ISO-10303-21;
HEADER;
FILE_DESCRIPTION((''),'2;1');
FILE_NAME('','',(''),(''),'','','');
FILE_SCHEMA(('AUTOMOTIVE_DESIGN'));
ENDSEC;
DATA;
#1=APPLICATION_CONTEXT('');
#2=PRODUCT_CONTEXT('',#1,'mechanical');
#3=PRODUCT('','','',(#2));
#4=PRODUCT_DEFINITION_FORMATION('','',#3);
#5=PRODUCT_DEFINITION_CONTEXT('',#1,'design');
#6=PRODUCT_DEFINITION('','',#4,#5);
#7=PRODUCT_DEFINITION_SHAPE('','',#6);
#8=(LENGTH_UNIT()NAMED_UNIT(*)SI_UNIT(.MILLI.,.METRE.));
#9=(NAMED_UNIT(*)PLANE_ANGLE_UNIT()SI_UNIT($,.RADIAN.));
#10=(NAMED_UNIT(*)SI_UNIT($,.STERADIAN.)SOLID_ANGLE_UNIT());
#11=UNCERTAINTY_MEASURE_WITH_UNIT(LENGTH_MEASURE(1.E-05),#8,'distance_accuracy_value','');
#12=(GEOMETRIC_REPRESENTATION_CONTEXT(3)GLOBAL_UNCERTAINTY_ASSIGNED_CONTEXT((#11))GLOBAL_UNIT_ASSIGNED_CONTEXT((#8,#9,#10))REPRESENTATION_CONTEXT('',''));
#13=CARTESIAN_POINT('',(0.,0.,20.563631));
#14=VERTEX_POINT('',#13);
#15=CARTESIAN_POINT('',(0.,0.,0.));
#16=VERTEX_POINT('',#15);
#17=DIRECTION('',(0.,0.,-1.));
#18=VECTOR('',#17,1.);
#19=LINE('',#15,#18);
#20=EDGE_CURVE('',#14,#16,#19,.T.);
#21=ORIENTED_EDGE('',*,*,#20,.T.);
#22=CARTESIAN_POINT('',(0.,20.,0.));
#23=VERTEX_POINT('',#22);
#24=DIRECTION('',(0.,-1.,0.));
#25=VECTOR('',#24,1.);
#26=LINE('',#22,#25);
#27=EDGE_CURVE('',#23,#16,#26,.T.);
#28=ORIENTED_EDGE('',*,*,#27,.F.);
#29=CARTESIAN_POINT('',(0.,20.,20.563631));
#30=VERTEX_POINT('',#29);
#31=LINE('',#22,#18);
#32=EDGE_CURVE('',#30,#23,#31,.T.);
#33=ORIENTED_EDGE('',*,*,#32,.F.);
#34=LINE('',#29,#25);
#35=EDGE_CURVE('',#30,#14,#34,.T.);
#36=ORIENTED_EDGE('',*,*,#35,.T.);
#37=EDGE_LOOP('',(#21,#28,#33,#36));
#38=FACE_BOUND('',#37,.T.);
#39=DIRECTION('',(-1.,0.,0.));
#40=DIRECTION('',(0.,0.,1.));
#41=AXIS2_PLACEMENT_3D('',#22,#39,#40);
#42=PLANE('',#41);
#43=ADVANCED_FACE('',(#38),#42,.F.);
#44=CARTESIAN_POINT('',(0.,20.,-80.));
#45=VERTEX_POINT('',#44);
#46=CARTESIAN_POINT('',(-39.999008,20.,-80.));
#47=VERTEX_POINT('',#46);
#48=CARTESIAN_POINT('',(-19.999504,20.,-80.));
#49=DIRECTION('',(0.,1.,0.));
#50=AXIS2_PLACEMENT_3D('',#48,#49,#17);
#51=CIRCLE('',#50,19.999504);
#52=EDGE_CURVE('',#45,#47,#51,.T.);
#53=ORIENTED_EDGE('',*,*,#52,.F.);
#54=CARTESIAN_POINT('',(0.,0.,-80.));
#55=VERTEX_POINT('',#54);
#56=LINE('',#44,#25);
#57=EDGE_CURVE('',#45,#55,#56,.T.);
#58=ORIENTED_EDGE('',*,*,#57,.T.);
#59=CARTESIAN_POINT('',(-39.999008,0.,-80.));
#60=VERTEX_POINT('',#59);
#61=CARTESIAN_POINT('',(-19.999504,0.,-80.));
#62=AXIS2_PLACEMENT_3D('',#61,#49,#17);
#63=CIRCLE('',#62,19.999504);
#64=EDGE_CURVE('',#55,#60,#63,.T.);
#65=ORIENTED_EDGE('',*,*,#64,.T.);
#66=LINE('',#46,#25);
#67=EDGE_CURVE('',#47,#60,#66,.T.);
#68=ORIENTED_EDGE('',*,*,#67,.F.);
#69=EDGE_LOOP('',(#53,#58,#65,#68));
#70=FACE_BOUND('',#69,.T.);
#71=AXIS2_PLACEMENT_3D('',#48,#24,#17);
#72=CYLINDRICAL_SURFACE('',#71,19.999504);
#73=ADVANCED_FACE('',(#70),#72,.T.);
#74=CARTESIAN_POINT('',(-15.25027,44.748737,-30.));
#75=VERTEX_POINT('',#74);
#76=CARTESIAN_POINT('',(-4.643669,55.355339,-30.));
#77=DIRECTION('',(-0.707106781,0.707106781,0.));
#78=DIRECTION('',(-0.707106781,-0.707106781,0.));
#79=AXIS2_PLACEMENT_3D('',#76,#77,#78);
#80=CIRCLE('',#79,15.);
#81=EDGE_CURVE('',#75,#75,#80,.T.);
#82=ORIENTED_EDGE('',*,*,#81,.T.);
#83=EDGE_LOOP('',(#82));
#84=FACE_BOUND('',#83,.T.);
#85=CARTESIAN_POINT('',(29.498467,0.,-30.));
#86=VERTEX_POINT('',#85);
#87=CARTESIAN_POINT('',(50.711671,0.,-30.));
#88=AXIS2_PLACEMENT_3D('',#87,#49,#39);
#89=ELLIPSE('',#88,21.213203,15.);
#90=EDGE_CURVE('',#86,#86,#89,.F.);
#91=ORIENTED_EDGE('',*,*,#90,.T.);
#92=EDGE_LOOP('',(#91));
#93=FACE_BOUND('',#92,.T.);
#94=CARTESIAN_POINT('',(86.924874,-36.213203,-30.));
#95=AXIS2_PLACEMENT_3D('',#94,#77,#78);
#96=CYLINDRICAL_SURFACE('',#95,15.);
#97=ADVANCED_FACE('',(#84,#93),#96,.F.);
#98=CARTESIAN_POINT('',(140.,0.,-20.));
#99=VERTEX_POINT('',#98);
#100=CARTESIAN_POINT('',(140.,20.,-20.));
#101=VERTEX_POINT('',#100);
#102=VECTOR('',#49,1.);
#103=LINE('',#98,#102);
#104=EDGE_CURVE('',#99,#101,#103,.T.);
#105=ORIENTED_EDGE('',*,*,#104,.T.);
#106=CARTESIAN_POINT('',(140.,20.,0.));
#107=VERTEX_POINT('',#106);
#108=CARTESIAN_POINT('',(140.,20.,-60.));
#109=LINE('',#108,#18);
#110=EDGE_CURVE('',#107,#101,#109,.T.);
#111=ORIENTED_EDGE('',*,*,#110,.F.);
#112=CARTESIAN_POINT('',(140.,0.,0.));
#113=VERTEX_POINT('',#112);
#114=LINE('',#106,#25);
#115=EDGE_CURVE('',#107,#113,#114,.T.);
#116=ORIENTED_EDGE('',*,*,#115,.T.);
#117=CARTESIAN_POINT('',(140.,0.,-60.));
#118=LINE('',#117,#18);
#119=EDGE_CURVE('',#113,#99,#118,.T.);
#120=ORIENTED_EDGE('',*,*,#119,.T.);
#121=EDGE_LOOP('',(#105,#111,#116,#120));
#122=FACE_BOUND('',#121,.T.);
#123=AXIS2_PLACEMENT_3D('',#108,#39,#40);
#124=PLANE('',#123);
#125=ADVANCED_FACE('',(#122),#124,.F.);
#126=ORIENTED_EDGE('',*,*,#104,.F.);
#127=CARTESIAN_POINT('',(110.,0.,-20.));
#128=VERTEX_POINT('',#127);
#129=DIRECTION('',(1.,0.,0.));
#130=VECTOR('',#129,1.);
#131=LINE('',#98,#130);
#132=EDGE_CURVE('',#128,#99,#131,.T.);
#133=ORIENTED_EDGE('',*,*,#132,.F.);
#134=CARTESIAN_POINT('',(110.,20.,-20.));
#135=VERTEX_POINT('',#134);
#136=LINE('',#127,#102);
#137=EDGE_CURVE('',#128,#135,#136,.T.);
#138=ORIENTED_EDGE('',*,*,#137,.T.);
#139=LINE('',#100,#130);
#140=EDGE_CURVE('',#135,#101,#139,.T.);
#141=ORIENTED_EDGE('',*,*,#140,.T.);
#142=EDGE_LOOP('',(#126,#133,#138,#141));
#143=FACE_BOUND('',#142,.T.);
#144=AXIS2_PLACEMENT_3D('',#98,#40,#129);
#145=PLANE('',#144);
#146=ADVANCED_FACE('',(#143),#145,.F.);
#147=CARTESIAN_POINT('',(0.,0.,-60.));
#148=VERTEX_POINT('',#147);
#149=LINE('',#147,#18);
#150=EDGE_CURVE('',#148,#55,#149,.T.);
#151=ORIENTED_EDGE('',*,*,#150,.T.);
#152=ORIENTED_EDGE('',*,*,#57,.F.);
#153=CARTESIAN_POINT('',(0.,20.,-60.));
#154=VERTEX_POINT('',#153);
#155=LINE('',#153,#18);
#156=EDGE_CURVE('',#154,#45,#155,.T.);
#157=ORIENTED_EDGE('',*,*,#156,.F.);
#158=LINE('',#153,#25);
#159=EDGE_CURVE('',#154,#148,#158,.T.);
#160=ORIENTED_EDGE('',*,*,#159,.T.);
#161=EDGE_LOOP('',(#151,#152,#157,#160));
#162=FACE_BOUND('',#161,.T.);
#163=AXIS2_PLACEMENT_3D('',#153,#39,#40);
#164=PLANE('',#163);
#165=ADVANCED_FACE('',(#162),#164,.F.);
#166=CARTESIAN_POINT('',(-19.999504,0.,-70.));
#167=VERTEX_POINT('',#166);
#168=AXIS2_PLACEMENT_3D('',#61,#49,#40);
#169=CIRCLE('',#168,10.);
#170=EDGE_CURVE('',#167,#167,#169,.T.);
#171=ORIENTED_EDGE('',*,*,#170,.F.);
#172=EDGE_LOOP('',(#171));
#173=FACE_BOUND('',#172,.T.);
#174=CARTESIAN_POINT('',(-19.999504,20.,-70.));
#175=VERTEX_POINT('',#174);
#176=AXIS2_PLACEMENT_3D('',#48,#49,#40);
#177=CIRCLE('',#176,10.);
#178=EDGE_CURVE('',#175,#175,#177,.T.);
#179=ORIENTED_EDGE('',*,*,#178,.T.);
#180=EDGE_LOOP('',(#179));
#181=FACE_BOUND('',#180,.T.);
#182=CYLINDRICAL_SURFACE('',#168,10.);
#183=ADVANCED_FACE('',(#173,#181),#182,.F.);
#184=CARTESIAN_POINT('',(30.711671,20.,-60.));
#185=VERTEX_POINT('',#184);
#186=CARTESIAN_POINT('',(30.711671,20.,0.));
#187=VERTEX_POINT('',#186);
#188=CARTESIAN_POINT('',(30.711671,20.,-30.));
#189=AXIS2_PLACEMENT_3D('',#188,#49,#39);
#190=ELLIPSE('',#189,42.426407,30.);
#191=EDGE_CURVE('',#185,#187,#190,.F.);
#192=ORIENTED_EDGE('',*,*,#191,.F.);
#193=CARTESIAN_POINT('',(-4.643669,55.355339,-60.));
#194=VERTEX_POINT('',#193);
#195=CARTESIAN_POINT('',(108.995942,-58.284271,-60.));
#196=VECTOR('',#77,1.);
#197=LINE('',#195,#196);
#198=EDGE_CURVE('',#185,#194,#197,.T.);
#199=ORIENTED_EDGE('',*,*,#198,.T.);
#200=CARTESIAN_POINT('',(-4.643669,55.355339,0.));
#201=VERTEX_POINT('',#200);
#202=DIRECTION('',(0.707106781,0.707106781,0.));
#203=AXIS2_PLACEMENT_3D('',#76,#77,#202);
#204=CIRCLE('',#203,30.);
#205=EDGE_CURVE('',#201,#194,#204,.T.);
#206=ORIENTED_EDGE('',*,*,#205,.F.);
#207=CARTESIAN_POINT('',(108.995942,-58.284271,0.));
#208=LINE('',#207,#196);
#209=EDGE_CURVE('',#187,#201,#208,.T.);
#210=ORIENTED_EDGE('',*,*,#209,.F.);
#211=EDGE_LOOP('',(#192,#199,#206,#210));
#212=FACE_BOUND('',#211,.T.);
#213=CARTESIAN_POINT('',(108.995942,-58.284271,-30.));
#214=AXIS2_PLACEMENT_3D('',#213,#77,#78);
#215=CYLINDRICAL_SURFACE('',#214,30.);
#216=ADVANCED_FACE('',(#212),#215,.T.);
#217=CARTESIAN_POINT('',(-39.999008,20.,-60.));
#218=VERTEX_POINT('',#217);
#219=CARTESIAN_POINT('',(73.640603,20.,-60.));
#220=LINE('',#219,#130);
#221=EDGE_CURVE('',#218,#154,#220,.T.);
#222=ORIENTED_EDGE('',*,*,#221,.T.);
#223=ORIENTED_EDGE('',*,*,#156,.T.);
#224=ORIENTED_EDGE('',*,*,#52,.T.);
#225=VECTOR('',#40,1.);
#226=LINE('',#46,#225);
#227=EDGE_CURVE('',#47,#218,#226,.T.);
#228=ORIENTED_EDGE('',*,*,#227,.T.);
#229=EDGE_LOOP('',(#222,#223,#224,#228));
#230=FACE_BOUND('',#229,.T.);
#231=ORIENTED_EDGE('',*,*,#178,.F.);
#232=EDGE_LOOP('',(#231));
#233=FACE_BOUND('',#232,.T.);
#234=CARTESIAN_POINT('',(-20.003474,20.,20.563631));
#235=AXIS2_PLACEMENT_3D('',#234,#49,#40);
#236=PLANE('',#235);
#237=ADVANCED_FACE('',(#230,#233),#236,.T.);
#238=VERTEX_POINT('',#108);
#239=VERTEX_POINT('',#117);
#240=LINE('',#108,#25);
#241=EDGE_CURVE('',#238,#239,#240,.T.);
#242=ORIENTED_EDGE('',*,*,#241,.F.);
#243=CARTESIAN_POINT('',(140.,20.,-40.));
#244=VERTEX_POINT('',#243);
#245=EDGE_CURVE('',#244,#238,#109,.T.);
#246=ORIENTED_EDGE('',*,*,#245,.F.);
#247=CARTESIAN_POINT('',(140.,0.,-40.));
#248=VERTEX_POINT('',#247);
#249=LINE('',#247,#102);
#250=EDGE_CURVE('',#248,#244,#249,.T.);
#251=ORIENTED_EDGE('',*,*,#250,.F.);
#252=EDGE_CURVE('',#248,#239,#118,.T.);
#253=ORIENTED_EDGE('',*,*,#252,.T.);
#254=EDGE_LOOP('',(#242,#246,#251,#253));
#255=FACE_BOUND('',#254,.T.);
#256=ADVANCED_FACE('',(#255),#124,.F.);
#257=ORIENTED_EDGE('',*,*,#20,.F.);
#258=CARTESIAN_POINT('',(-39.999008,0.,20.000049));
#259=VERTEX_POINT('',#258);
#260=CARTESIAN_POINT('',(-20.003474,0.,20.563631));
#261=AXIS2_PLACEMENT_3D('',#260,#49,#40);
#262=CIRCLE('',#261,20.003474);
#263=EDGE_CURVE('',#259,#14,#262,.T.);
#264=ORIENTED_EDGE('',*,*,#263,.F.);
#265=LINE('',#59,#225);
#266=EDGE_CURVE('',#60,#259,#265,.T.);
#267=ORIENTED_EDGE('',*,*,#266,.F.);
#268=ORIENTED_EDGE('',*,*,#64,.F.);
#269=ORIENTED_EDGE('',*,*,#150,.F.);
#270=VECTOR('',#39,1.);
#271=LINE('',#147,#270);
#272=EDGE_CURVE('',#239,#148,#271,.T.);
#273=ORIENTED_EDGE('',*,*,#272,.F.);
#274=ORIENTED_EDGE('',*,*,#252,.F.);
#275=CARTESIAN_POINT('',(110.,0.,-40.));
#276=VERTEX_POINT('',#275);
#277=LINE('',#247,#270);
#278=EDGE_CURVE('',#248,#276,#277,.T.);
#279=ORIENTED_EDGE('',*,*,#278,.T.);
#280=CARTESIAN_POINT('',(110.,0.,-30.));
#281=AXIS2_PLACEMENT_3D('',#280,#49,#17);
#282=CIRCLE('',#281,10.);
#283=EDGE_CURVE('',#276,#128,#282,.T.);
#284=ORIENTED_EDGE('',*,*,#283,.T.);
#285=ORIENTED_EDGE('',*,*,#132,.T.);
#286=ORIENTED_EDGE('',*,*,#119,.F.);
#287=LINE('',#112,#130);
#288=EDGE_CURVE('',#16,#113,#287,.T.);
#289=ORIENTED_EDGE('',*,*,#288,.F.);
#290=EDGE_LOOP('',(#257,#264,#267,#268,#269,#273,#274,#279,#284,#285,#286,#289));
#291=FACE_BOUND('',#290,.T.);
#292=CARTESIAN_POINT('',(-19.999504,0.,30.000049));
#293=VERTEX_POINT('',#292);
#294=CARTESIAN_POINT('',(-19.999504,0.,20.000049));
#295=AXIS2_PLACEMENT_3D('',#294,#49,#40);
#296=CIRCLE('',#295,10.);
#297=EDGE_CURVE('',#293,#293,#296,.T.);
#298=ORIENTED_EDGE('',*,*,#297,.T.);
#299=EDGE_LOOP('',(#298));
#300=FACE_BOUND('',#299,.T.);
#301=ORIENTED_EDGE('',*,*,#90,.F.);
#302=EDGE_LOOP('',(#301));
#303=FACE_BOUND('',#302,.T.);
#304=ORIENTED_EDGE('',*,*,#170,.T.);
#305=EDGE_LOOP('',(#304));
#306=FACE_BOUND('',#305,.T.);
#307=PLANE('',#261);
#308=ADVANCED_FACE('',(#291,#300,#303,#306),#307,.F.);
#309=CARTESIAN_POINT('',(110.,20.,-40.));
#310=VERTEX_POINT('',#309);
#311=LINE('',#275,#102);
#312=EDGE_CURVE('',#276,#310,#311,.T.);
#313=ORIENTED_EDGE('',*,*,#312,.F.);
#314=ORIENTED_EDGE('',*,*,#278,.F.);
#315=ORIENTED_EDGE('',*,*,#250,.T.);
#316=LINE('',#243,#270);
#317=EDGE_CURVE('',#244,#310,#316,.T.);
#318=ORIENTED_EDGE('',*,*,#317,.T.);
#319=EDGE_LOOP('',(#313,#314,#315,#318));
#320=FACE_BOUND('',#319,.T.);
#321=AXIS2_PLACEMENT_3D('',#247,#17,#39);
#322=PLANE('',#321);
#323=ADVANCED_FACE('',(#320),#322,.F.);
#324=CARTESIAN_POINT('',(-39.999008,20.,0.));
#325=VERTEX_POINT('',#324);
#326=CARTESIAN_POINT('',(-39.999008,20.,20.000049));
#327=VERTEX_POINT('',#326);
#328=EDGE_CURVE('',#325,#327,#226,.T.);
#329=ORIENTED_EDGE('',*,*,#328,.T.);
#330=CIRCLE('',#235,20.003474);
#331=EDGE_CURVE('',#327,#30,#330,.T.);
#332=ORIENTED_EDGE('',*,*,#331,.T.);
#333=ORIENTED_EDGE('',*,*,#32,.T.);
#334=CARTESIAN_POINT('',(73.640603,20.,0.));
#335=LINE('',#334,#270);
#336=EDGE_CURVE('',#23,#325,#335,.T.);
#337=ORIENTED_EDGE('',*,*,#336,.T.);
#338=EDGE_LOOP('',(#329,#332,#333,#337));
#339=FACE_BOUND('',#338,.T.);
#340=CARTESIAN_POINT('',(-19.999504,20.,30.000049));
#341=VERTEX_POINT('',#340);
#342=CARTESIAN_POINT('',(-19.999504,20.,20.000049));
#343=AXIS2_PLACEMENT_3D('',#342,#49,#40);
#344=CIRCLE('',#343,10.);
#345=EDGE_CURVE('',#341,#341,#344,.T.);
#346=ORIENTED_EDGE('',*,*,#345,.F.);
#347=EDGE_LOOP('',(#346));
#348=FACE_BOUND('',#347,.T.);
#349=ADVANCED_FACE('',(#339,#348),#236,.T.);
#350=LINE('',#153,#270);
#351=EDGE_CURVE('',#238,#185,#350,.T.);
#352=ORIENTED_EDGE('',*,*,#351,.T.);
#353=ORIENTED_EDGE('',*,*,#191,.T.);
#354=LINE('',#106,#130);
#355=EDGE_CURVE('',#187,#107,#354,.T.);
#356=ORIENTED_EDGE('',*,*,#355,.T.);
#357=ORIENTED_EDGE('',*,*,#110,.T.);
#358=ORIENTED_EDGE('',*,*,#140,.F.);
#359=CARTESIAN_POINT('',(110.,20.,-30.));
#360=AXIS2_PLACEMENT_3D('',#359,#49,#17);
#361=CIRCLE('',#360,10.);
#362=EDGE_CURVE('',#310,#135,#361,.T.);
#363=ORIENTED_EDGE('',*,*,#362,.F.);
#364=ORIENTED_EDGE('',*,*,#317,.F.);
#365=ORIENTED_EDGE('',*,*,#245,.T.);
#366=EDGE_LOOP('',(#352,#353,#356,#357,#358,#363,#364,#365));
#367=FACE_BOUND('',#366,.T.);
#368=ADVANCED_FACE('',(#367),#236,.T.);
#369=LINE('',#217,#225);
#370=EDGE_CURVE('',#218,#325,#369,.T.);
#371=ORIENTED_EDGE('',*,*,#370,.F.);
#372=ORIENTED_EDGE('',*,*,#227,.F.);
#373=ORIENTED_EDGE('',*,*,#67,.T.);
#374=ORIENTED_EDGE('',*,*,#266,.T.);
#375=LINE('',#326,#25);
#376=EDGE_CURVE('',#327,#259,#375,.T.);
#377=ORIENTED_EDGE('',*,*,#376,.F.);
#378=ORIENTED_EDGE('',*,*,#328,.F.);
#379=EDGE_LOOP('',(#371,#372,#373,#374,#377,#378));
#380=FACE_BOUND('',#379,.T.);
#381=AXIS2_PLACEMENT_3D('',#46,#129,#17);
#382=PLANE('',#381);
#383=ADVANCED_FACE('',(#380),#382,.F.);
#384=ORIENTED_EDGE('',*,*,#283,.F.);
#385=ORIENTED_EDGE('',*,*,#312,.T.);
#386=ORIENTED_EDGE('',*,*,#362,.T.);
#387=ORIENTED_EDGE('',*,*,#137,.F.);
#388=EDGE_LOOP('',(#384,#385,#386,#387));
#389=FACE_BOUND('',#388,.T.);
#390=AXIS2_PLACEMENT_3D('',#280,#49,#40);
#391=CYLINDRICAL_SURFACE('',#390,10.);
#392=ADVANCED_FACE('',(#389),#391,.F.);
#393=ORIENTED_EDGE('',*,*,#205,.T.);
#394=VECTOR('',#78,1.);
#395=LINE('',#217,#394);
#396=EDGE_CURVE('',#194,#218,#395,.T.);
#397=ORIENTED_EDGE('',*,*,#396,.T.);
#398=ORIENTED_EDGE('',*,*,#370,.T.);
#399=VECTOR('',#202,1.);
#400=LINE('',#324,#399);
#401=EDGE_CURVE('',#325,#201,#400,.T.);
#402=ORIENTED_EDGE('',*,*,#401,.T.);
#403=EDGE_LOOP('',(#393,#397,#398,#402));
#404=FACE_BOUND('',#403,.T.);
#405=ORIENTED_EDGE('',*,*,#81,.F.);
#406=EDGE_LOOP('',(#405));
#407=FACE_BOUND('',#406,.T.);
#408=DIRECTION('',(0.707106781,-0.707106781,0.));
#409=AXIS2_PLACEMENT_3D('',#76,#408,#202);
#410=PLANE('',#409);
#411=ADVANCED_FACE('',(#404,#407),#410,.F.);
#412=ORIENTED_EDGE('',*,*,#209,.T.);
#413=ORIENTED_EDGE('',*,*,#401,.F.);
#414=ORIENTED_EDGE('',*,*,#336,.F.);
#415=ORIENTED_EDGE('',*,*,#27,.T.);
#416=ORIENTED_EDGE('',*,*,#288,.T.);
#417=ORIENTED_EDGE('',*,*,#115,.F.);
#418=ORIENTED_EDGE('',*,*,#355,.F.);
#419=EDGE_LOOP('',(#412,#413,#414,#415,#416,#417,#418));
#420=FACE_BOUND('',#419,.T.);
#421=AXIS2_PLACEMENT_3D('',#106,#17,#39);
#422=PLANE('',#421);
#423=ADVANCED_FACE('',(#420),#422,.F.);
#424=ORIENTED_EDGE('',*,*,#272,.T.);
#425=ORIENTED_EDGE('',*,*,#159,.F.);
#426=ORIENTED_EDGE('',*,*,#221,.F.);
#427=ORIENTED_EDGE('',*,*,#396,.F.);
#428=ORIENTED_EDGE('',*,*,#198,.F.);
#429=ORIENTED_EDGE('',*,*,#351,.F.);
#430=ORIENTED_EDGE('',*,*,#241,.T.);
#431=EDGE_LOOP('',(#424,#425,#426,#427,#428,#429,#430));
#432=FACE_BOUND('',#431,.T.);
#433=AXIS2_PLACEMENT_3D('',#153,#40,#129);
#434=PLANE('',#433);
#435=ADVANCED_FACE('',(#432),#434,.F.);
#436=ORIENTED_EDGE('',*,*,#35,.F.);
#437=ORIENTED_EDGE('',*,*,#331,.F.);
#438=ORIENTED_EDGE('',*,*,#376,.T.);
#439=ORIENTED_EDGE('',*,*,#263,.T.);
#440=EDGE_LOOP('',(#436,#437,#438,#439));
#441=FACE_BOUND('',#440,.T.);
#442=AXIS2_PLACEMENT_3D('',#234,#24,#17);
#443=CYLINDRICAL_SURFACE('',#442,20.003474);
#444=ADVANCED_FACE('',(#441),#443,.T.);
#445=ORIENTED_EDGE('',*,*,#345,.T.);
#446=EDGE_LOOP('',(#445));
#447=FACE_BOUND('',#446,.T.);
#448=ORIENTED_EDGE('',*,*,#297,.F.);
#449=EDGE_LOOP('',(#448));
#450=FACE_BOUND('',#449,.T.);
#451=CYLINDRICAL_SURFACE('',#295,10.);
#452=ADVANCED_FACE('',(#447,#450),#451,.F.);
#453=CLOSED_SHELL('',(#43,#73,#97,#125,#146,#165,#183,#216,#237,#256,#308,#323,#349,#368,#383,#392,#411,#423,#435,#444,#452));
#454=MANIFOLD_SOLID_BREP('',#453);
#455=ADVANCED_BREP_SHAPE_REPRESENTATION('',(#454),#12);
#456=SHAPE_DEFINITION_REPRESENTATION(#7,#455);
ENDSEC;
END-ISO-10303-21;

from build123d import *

# Parameters (mm, degrees)
BOSS_EXTRUDE2_DEPTH = 20
SKETCH2_R           = 10
CUT_EXTRUDE1_DEPTH  = 174.204794268
BOSS_EXTRUDE3_REACH = 201.499
CUT_EXTRUDE3_REACH  = 204.653
SKETCH5_R           = 15
CUT_EXTRUDE4_DEPTH  = 182.107428775


with BuildPart() as part:
    # Sketch1 → Boss-Extrude2 (new body)
    with BuildSketch(Plane(origin=(0, 0, 0), x_dir=(1, 0, 0), z_dir=(0, 1, 0))):
        with BuildLine():
            Line((0, 60), (140, 60))
            Line((140, 60), (140, 0))
            Line((140, 0), (0, 0))
            Line((0, 0), (0, -20.563630546))
            ThreePointArc((0, -20.563630546), (-20.285292958, -40.565119434), (-39.999007572, -20.000048944))
            Line((-39.999007572, -20.000048944), (-39.999007572, 80))
            ThreePointArc((-39.999007572, 80), (-19.999503786, 99.999503786), (0, 80))
            Line((0, 80), (0, 60))
        make_face()
    extrude(amount=BOSS_EXTRUDE2_DEPTH)

    # Sketch2 → Cut-Extrude1 (cut, through all)
    with BuildSketch(Plane(origin=(0, 20, 0), x_dir=(1, 0, 0), z_dir=(0, 1, 0))):
        with Locations(Location((-19.999503786, 80, 0), (0, 0, 270))):
            Circle(SKETCH2_R)
        with Locations(Location((-19.999503786, -20.000048944, 0), (0, 0, 270))):
            Circle(SKETCH2_R)
    extrude(amount=-CUT_EXTRUDE1_DEPTH, mode=Mode.SUBTRACT)

    # Boss-Extrude3: up to this face of the body (flat: up to its plane)
    boss_extrude3_end = Plane(part.part.faces().sort_by_distance((37.926780592, 20, -29.884787344))[0])
    # Sketch4 → Boss-Extrude3 (add, up to the picked face)
    with BuildSketch(Plane(origin=(-29.999503786, 29.999503786, 0), x_dir=(0, 0, 1), z_dir=(-0.7071067811865488, 0.7071067811865464, 0)), mode=Mode.PRIVATE) as boss_extrude3_sk1:
        with BuildLine():
            Line((-60, -14.141433871), (-60, 35.858566129))
            ThreePointArc((-60, 35.858566129), (-30, 65.858566129), (0, 35.858566129))
            Line((0, 35.858566129), (0, -14.141433871))
            Line((0, -14.141433871), (-60, -14.141433871))
        make_face()
    boss_extrude3_tool1 = split(extrude(boss_extrude3_sk1.sketch, amount=-BOSS_EXTRUDE3_REACH, mode=Mode.PRIVATE), bisect_by=boss_extrude3_end, keep=Keep.BOTH, mode=Mode.PRIVATE)
    add(boss_extrude3_tool1.solids().sort_by(Axis((-13.775448, 46.22356, -30), (0.7071067811865488, -0.7071067811865464, 0)))[0])

    # Cut-Extrude3: up to this plane
    cut_extrude3_end = Plane(origin=(-20.003474187, 0, 20.563630546), z_dir=(0, 1, 0))
    # Sketch5 → Cut-Extrude3 (cut, up to the surface)
    with BuildSketch(Plane(origin=(-29.999503786, 29.999503786, 0), x_dir=(0, 0, 1), z_dir=(-0.7071067811865487, 0.7071067811865465, 0)), mode=Mode.PRIVATE) as cut_extrude3_sk1:
        with Locations(Location((-30, 35.858566129, 0), (0, 0, 270))):
            Circle(SKETCH5_R)
    cut_extrude3_tool1 = split(extrude(cut_extrude3_sk1.sketch, amount=-CUT_EXTRUDE3_REACH, mode=Mode.PRIVATE), bisect_by=cut_extrude3_end, keep=Keep.BOTH, mode=Mode.PRIVATE)
    add(cut_extrude3_tool1.solids().sort_by_distance((-4.643669, 55.355339, -30))[0], mode=Mode.SUBTRACT)

    # Sketch6 → Cut-Extrude4 (cut, through all)
    with BuildSketch(Plane(origin=(0, 20, 0), x_dir=(1, 0, 0), z_dir=(0, 1, 0))):
        with BuildLine():
            Line((140, 40), (110, 40))
            ThreePointArc((110, 40), (100, 30), (110, 20))
            Line((110, 20), (140, 20))
            Line((140, 20), (140, 40))
        make_face()
    extrude(amount=-CUT_EXTRUDE4_DEPTH, mode=Mode.SUBTRACT)


solid = part.part
